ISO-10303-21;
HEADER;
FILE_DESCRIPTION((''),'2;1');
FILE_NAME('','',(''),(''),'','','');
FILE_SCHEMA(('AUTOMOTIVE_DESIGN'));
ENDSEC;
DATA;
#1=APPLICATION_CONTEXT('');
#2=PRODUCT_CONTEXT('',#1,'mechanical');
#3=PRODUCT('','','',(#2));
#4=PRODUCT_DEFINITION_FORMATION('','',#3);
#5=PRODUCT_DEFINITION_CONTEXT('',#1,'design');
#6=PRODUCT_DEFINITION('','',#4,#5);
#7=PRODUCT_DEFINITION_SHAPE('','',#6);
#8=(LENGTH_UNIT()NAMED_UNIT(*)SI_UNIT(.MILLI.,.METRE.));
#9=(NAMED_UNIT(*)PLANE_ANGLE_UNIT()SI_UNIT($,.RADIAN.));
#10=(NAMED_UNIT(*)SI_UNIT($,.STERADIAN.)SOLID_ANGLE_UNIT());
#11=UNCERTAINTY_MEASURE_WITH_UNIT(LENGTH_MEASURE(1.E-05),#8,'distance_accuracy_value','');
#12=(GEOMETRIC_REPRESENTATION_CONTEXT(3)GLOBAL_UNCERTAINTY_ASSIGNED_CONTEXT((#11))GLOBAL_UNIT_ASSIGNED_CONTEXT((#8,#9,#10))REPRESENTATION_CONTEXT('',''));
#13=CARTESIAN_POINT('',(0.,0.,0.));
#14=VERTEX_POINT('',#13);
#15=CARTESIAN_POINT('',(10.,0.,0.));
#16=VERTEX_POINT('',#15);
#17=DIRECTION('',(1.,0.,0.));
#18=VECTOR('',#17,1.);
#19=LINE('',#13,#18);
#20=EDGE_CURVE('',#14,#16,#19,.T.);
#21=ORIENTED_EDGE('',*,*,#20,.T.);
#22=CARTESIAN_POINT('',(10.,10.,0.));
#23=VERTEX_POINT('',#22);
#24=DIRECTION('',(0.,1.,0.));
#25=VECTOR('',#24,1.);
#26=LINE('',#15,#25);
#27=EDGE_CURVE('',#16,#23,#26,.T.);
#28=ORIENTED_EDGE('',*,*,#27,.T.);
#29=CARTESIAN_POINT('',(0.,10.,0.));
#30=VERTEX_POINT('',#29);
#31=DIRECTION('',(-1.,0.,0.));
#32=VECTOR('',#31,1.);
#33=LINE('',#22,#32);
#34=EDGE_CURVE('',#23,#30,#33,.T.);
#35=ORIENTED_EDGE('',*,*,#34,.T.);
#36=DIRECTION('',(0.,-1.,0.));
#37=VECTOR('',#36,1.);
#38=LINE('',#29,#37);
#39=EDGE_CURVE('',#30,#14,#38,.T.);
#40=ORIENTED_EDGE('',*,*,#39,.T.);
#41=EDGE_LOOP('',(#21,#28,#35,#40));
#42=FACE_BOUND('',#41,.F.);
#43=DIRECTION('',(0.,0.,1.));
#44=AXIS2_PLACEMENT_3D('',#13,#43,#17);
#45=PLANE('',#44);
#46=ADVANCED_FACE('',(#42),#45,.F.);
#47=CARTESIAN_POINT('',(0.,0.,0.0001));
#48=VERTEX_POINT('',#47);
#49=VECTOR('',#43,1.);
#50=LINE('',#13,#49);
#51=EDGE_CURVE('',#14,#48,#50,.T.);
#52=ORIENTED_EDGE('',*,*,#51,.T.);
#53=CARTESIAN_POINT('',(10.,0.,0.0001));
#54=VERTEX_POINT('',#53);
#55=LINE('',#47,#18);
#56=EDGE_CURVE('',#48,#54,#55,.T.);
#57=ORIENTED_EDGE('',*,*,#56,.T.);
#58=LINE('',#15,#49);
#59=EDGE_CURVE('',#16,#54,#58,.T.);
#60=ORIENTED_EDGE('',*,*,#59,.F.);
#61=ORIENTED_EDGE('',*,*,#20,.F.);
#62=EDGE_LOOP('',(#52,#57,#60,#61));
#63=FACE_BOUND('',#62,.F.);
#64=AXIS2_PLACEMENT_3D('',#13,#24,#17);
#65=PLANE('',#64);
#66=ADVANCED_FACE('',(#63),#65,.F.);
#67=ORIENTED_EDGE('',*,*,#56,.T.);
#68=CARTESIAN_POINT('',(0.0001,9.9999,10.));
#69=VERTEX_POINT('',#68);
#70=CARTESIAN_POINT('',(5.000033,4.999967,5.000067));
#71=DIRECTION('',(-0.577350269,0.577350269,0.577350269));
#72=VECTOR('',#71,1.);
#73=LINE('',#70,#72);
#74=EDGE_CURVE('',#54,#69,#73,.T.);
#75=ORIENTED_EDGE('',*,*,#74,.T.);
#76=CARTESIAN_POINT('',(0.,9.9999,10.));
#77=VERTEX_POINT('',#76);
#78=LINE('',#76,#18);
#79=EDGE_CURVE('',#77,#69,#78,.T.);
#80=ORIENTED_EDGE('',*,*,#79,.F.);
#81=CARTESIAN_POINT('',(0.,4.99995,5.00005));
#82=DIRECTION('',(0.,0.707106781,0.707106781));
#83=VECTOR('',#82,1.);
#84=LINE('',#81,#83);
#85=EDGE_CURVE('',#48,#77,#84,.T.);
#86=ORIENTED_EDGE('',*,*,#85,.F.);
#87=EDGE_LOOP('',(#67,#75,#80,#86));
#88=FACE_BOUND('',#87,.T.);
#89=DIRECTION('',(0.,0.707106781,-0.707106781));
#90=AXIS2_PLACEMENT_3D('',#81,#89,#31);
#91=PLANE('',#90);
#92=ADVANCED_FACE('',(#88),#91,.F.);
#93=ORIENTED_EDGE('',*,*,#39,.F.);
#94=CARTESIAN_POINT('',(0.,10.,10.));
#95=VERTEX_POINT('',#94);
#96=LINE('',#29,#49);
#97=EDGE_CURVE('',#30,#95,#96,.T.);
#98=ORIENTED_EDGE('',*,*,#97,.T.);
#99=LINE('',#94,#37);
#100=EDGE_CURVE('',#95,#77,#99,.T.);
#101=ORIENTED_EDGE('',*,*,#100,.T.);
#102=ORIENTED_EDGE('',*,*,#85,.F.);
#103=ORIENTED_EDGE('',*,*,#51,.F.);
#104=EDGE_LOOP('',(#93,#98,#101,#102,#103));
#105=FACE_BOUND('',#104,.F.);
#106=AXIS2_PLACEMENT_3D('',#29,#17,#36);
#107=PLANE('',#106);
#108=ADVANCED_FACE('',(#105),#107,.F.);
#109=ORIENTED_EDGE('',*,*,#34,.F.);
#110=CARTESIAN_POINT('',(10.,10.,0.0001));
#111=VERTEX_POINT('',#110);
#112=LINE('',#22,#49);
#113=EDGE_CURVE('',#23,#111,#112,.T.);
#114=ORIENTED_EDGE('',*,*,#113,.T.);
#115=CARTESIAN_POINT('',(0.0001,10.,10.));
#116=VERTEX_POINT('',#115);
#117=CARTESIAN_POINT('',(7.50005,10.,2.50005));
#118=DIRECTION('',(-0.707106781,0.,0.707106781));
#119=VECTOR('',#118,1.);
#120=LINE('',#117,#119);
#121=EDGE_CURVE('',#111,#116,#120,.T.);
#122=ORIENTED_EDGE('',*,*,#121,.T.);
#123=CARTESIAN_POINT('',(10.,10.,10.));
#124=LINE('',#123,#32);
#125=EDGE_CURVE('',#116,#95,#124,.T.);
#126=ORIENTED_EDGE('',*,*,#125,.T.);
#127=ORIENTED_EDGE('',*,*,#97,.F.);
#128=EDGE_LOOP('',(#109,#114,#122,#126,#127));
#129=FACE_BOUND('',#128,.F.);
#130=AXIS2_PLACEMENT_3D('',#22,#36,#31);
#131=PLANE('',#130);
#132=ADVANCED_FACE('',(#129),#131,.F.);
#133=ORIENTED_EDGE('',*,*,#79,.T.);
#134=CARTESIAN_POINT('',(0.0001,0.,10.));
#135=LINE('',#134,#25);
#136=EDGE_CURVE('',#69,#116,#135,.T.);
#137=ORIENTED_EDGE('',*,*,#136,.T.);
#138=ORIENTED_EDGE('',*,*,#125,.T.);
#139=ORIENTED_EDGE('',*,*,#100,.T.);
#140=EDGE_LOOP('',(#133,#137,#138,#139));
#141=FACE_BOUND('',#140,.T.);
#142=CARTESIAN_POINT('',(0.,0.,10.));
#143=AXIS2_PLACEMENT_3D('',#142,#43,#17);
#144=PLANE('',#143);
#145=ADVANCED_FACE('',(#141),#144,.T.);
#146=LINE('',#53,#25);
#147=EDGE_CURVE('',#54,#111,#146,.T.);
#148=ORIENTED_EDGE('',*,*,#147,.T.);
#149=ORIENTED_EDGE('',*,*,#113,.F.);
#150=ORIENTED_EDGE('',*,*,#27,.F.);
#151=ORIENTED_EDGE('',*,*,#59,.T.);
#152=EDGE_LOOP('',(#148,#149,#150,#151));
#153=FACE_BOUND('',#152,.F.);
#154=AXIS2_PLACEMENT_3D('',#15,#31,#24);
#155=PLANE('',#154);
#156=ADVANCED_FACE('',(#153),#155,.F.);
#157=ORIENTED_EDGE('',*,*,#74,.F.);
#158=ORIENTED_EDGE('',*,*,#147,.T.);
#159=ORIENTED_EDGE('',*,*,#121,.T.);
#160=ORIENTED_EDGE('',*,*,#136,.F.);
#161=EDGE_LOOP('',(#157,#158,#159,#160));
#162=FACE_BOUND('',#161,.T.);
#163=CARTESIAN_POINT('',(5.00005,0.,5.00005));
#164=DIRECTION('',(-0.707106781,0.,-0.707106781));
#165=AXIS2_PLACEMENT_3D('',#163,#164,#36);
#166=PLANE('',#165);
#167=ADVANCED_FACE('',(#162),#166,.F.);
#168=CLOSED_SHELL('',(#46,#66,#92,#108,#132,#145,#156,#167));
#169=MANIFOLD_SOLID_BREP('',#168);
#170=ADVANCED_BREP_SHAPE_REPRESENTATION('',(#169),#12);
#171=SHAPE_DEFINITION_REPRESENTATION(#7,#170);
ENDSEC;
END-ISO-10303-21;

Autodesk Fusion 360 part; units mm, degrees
sketch "Sketch1" plane through (0, 0, 0) normal (0, 0, 1) x (1, 0, 0)
  line L0 (0, 0) -> (10, 0)
  line L1 (10, 0) -> (10, 10)
  line L2 (10, 10) -> (0, 10)
  line L3 (0, 10) -> (0, 0)
extrude "Extrude1" add sketch "Sketch1" along normal blind 10
chamfer "Chamfer1" distance 9.9999 angle 45 2 edges at (5, 0, 10) (10, 5, 10)
